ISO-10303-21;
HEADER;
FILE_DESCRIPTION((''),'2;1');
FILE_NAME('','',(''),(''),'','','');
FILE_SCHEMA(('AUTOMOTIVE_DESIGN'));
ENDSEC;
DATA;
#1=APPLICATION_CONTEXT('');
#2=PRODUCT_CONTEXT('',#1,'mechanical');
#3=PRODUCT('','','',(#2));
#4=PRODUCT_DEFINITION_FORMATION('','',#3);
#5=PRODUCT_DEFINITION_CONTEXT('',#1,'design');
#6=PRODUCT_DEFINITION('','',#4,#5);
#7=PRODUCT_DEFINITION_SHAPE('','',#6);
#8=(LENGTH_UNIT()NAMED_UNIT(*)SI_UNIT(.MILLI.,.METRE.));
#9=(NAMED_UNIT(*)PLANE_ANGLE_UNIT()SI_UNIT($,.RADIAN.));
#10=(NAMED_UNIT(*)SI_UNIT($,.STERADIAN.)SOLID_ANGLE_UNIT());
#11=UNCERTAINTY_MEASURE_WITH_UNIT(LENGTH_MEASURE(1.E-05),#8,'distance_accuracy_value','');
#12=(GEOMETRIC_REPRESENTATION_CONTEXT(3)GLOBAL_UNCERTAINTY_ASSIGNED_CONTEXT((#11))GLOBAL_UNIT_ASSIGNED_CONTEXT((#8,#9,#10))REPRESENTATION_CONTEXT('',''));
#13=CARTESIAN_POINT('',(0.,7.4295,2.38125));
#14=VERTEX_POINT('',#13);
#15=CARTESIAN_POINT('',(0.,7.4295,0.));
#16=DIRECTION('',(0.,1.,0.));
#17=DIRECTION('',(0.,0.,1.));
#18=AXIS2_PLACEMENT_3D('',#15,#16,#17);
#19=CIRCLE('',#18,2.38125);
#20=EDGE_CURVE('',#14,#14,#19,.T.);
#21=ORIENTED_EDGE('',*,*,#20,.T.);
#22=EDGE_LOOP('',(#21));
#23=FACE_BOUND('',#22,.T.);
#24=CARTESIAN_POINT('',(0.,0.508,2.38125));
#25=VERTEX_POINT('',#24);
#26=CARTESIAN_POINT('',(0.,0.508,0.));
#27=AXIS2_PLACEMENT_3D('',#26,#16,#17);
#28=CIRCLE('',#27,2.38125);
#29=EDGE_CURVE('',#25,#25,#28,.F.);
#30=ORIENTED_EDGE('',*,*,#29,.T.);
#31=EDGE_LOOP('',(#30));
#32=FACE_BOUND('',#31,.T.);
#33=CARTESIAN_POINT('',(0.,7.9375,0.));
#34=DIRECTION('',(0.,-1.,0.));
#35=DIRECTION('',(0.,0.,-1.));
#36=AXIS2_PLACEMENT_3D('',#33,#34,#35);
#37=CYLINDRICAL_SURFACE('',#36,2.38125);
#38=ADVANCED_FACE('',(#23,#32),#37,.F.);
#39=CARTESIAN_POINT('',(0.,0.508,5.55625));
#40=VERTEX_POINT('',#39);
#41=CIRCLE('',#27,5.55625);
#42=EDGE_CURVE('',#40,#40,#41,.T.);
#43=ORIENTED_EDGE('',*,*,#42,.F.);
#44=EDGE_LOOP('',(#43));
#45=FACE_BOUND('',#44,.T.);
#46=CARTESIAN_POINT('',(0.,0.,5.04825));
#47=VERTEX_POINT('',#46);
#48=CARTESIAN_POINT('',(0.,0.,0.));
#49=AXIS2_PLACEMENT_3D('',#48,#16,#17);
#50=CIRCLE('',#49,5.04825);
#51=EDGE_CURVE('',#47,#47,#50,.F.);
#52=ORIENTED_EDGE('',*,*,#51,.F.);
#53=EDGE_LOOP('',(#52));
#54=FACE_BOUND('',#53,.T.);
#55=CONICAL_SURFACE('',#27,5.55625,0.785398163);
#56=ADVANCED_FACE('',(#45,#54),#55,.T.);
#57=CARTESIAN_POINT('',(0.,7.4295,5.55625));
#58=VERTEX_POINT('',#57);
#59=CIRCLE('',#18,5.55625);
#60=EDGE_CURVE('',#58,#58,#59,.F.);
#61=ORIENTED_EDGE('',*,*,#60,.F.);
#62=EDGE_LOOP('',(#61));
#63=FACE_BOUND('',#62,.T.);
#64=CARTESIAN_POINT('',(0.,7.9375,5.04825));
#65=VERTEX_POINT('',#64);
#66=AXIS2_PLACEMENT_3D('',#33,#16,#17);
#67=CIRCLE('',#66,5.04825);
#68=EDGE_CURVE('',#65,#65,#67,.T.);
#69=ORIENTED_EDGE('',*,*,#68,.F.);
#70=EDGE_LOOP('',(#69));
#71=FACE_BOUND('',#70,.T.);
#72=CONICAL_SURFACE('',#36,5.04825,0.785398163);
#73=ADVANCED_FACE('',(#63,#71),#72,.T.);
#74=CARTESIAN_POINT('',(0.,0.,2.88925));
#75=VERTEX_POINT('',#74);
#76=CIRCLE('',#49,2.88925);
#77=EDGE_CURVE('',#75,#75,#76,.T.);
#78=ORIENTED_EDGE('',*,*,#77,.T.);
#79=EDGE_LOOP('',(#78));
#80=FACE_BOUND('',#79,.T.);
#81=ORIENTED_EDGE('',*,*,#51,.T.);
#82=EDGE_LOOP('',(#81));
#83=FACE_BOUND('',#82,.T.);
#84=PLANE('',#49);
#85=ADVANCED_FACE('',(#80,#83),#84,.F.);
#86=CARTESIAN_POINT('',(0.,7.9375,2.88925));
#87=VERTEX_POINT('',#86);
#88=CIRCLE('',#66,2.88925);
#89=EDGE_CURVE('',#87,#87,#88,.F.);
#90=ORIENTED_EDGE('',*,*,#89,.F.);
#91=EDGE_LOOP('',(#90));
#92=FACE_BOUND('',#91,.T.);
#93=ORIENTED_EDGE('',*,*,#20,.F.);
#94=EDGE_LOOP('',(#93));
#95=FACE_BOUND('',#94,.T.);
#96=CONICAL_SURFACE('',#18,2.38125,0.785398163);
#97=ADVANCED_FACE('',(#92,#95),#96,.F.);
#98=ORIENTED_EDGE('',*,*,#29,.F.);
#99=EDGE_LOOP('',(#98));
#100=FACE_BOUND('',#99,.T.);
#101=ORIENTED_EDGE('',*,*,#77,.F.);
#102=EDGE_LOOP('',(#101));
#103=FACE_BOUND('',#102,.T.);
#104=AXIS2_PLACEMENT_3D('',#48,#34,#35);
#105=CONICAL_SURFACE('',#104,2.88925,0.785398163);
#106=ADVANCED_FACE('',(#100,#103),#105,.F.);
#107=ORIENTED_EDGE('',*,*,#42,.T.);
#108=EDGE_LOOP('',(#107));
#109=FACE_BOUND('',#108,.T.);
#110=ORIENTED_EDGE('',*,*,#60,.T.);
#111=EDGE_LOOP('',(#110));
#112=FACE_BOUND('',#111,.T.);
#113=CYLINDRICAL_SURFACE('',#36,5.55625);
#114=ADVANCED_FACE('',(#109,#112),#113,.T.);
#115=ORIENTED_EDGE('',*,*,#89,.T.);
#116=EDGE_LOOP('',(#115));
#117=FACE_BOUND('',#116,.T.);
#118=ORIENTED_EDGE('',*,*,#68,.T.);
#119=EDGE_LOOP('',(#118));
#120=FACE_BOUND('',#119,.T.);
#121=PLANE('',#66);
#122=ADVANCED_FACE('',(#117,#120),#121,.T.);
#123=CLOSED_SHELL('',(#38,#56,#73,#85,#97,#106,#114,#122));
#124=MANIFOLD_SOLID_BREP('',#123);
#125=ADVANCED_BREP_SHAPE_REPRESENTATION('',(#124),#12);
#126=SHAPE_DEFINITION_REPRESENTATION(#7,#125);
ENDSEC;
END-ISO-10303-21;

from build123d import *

# Parameters (mm, degrees)
SKETCH1_R           = 5.55625
SKETCH1_R_2         = 2.38125
BOSS_EXTRUDE1_DEPTH = 7.9375
CHAMFER1_SIZE       = 0.508


with BuildPart() as part:
    # Sketch1 → Boss-Extrude1 (new body)
    with BuildSketch(Plane(origin=(0, 0, 0), x_dir=(1, 0, 0), z_dir=(0, 1, 0))):
        Circle(SKETCH1_R)
        Circle(SKETCH1_R_2, mode=Mode.SUBTRACT)
    extrude(amount=BOSS_EXTRUDE1_DEPTH)

    # Chamfer1
    chamfer1_edges = [part.edges().sort_by_distance(p)[0] for p in [
        (-5.55625, 0, 0),
        (-5.55625, 7.9375, 0),
        (-2.38125, 0, 0),
        (-2.38125, 7.9375, 0),
    ]]
    chamfer(chamfer1_edges, length=CHAMFER1_SIZE)


solid = part.part
